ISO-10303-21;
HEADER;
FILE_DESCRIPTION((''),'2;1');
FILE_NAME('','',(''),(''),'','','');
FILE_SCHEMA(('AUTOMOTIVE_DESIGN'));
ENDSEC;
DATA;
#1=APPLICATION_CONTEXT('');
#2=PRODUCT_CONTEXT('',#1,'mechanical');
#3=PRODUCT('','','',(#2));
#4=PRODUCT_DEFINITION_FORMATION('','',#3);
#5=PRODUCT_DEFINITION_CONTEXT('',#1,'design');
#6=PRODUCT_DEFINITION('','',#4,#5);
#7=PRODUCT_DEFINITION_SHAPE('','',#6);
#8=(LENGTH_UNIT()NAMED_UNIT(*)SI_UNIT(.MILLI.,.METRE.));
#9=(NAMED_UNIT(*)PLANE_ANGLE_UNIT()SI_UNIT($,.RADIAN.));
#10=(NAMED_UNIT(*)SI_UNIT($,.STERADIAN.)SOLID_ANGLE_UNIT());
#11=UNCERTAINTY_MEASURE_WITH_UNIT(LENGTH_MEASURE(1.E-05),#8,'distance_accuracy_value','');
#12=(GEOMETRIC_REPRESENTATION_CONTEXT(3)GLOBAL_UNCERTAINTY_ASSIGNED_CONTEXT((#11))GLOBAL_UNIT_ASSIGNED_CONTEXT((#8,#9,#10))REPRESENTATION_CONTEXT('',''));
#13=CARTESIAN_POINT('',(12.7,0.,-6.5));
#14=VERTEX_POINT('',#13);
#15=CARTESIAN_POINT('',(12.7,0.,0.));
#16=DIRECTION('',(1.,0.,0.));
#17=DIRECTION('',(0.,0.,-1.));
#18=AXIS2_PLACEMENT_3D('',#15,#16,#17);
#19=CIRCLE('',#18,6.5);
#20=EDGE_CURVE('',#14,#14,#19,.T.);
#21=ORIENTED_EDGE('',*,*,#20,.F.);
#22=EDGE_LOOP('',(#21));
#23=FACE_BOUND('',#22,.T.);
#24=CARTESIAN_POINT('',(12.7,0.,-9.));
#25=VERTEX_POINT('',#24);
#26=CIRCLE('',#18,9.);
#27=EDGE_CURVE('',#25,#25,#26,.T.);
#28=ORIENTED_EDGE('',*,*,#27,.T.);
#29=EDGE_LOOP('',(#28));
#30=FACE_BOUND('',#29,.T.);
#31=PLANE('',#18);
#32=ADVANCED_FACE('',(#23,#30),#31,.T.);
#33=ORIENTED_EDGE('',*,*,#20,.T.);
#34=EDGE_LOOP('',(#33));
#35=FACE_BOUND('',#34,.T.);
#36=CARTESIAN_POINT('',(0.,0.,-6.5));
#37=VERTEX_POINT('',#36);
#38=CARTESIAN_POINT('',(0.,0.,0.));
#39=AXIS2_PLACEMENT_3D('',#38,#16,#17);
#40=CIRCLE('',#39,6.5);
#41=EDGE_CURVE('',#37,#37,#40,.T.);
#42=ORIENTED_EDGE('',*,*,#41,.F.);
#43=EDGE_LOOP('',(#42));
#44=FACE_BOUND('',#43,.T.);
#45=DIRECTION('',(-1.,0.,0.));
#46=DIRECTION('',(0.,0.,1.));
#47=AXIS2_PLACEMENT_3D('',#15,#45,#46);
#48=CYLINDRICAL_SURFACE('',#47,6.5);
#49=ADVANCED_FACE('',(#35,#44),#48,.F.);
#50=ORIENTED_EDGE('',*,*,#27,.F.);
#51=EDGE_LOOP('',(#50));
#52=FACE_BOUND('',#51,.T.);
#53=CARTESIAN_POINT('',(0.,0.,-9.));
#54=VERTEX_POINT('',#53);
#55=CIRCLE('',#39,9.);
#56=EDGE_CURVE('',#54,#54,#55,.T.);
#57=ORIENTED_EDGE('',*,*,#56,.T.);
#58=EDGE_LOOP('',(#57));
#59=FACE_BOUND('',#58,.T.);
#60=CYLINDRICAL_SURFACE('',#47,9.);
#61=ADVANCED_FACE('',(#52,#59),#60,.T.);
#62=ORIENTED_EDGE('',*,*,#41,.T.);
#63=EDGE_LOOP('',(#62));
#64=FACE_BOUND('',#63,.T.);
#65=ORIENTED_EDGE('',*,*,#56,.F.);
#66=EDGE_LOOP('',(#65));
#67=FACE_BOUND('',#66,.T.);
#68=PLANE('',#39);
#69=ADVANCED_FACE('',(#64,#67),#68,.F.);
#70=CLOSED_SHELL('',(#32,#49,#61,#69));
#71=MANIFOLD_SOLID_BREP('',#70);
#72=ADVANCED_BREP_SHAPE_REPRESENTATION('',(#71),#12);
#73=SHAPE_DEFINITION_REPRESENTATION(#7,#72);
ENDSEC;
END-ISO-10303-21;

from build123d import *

# Parameters (mm, degrees)
SKETCH1_R           = 9
SKETCH1_R_2         = 6.5
BOSS_EXTRUDE1_DEPTH = 12.7


with BuildPart() as part:
    # Sketch1 → Boss-Extrude1 (new body)
    with BuildSketch(Plane(origin=(0, 0, 0), x_dir=(0, 0, -1), z_dir=(1, 0, 0))):
        Circle(SKETCH1_R)
        Circle(SKETCH1_R_2, mode=Mode.SUBTRACT)
    extrude(amount=BOSS_EXTRUDE1_DEPTH)


solid = part.part
